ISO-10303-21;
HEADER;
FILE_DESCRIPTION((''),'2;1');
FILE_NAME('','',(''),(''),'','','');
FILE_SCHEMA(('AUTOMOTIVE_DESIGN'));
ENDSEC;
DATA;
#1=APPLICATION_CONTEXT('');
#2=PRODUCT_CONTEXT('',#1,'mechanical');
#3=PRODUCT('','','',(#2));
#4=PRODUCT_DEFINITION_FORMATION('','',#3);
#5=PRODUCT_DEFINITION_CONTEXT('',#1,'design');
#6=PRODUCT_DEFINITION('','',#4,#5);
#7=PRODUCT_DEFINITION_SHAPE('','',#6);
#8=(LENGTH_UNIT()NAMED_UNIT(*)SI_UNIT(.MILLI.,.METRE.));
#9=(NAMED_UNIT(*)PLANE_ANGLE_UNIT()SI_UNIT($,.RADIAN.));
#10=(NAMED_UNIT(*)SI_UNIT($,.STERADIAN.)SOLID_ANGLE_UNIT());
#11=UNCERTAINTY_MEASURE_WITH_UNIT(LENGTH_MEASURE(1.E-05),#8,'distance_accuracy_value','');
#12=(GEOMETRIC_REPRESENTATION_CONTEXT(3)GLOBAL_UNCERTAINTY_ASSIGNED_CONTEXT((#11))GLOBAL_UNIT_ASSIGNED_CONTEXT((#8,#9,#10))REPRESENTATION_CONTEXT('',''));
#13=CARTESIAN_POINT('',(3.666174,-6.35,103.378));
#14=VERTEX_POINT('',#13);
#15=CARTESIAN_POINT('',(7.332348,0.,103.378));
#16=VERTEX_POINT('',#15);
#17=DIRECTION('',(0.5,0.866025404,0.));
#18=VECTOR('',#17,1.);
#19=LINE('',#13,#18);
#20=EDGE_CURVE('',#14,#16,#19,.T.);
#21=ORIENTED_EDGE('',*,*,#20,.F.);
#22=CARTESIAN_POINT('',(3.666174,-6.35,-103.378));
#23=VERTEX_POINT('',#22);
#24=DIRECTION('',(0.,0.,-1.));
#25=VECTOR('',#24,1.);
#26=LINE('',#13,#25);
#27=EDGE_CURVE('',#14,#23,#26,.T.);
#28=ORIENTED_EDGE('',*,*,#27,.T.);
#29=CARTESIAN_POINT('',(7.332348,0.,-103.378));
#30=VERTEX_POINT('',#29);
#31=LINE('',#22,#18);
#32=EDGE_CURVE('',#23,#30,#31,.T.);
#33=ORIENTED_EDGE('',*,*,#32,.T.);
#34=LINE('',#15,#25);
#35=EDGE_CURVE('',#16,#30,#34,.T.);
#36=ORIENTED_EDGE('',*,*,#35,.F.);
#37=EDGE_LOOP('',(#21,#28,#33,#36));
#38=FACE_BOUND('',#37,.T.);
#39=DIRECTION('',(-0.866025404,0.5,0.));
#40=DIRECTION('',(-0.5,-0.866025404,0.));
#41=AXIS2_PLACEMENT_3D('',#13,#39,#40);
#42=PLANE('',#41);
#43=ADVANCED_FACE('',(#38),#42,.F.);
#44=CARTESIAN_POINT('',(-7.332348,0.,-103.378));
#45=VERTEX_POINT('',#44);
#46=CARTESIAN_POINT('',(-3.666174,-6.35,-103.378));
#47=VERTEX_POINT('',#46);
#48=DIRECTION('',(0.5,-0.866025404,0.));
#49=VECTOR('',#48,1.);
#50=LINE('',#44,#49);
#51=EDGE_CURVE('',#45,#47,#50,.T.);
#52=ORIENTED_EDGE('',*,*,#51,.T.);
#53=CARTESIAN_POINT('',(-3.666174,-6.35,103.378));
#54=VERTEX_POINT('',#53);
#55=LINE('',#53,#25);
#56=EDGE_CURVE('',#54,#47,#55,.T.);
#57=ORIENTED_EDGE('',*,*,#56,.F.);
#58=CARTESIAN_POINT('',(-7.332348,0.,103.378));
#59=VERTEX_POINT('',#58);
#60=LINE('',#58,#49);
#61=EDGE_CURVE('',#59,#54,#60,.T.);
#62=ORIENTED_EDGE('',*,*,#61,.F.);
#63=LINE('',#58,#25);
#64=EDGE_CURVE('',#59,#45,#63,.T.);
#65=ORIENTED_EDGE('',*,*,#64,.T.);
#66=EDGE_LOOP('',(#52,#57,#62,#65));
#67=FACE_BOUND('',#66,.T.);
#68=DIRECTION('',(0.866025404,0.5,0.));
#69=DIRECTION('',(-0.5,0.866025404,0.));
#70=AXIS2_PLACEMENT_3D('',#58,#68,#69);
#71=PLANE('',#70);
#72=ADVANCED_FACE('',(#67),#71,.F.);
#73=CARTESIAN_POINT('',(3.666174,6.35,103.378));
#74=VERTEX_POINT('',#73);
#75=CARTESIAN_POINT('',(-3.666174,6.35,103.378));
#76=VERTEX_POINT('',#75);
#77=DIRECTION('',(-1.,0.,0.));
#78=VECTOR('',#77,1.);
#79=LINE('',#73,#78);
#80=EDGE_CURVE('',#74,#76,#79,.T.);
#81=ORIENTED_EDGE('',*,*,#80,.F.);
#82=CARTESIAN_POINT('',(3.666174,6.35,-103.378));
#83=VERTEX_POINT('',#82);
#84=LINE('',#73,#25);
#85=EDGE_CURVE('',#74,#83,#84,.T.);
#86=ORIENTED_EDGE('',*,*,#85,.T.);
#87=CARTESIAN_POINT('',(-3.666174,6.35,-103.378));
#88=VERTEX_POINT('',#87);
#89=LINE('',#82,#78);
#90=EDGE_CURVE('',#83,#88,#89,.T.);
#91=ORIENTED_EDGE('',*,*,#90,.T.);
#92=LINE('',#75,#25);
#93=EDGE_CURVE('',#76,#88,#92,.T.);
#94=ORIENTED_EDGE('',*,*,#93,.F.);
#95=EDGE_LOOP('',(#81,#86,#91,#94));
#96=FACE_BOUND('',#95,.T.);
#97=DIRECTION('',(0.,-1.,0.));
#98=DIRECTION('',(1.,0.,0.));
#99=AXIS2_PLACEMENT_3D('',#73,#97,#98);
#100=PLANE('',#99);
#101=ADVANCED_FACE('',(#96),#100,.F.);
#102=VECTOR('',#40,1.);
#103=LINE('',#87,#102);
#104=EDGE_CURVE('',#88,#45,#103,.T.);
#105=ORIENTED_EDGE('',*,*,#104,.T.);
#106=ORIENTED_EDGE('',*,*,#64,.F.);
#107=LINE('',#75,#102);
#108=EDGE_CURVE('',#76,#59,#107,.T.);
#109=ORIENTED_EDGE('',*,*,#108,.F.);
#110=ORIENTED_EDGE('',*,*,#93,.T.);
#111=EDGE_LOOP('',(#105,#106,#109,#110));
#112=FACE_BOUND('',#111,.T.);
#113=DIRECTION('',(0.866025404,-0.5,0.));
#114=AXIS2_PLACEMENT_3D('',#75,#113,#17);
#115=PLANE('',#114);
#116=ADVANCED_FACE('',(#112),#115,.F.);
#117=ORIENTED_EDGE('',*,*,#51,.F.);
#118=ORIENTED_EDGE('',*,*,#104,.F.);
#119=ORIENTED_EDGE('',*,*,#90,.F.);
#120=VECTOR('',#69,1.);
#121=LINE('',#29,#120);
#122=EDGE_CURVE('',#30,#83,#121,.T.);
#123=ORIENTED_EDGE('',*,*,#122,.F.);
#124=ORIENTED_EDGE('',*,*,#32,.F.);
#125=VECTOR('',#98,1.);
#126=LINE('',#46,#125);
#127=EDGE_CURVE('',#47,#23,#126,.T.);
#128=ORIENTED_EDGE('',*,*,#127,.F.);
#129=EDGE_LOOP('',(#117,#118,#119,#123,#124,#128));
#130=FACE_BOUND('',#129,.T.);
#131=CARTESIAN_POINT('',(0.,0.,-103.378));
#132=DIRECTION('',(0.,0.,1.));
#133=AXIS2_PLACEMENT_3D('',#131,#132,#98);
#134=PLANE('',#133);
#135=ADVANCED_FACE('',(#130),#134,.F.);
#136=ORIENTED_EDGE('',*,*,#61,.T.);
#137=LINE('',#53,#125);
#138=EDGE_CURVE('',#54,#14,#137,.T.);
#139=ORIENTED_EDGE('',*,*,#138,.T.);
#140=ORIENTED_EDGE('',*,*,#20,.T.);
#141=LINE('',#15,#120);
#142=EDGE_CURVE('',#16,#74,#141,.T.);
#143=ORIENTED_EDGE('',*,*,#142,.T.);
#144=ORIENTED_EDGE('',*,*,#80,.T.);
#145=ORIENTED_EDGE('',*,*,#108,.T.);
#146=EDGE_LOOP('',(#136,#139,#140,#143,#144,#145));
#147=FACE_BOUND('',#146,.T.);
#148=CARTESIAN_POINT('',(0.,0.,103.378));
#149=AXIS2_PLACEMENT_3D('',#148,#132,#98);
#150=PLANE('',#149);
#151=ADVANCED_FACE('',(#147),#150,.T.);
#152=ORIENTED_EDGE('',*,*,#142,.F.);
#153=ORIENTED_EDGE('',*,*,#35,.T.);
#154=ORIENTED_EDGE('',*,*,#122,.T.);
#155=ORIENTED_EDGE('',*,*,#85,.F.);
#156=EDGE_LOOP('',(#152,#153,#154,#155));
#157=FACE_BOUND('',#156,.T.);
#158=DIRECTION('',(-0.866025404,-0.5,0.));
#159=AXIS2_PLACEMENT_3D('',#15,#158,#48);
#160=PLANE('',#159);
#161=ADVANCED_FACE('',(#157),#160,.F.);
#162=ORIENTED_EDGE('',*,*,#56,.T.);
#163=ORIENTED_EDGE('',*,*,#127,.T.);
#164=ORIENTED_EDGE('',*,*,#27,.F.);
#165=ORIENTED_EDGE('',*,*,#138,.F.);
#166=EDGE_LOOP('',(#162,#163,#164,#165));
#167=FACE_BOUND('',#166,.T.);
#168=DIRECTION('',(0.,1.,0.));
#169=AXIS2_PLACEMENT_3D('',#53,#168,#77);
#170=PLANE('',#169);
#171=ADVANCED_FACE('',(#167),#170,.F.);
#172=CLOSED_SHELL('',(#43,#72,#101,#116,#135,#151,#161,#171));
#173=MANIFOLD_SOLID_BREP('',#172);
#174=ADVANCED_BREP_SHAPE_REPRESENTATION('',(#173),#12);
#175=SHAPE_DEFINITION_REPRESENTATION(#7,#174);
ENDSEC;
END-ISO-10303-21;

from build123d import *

# Parameters (mm, degrees)
BOSS_EXTRUDE1_DEPTH = 103.378


with BuildPart() as part:
    # Sketch1 → Boss-Extrude1 (new, symmetric)
    with BuildSketch(Plane.XY):
        Polygon((3.666174209, 6.35), (-3.666174209, 6.35), (-7.332348419, 0), (-3.666174209, -6.35), (3.666174209, -6.35), (7.332348419, 0), align=None)
    extrude(amount=BOSS_EXTRUDE1_DEPTH, both=True)


solid = part.part
